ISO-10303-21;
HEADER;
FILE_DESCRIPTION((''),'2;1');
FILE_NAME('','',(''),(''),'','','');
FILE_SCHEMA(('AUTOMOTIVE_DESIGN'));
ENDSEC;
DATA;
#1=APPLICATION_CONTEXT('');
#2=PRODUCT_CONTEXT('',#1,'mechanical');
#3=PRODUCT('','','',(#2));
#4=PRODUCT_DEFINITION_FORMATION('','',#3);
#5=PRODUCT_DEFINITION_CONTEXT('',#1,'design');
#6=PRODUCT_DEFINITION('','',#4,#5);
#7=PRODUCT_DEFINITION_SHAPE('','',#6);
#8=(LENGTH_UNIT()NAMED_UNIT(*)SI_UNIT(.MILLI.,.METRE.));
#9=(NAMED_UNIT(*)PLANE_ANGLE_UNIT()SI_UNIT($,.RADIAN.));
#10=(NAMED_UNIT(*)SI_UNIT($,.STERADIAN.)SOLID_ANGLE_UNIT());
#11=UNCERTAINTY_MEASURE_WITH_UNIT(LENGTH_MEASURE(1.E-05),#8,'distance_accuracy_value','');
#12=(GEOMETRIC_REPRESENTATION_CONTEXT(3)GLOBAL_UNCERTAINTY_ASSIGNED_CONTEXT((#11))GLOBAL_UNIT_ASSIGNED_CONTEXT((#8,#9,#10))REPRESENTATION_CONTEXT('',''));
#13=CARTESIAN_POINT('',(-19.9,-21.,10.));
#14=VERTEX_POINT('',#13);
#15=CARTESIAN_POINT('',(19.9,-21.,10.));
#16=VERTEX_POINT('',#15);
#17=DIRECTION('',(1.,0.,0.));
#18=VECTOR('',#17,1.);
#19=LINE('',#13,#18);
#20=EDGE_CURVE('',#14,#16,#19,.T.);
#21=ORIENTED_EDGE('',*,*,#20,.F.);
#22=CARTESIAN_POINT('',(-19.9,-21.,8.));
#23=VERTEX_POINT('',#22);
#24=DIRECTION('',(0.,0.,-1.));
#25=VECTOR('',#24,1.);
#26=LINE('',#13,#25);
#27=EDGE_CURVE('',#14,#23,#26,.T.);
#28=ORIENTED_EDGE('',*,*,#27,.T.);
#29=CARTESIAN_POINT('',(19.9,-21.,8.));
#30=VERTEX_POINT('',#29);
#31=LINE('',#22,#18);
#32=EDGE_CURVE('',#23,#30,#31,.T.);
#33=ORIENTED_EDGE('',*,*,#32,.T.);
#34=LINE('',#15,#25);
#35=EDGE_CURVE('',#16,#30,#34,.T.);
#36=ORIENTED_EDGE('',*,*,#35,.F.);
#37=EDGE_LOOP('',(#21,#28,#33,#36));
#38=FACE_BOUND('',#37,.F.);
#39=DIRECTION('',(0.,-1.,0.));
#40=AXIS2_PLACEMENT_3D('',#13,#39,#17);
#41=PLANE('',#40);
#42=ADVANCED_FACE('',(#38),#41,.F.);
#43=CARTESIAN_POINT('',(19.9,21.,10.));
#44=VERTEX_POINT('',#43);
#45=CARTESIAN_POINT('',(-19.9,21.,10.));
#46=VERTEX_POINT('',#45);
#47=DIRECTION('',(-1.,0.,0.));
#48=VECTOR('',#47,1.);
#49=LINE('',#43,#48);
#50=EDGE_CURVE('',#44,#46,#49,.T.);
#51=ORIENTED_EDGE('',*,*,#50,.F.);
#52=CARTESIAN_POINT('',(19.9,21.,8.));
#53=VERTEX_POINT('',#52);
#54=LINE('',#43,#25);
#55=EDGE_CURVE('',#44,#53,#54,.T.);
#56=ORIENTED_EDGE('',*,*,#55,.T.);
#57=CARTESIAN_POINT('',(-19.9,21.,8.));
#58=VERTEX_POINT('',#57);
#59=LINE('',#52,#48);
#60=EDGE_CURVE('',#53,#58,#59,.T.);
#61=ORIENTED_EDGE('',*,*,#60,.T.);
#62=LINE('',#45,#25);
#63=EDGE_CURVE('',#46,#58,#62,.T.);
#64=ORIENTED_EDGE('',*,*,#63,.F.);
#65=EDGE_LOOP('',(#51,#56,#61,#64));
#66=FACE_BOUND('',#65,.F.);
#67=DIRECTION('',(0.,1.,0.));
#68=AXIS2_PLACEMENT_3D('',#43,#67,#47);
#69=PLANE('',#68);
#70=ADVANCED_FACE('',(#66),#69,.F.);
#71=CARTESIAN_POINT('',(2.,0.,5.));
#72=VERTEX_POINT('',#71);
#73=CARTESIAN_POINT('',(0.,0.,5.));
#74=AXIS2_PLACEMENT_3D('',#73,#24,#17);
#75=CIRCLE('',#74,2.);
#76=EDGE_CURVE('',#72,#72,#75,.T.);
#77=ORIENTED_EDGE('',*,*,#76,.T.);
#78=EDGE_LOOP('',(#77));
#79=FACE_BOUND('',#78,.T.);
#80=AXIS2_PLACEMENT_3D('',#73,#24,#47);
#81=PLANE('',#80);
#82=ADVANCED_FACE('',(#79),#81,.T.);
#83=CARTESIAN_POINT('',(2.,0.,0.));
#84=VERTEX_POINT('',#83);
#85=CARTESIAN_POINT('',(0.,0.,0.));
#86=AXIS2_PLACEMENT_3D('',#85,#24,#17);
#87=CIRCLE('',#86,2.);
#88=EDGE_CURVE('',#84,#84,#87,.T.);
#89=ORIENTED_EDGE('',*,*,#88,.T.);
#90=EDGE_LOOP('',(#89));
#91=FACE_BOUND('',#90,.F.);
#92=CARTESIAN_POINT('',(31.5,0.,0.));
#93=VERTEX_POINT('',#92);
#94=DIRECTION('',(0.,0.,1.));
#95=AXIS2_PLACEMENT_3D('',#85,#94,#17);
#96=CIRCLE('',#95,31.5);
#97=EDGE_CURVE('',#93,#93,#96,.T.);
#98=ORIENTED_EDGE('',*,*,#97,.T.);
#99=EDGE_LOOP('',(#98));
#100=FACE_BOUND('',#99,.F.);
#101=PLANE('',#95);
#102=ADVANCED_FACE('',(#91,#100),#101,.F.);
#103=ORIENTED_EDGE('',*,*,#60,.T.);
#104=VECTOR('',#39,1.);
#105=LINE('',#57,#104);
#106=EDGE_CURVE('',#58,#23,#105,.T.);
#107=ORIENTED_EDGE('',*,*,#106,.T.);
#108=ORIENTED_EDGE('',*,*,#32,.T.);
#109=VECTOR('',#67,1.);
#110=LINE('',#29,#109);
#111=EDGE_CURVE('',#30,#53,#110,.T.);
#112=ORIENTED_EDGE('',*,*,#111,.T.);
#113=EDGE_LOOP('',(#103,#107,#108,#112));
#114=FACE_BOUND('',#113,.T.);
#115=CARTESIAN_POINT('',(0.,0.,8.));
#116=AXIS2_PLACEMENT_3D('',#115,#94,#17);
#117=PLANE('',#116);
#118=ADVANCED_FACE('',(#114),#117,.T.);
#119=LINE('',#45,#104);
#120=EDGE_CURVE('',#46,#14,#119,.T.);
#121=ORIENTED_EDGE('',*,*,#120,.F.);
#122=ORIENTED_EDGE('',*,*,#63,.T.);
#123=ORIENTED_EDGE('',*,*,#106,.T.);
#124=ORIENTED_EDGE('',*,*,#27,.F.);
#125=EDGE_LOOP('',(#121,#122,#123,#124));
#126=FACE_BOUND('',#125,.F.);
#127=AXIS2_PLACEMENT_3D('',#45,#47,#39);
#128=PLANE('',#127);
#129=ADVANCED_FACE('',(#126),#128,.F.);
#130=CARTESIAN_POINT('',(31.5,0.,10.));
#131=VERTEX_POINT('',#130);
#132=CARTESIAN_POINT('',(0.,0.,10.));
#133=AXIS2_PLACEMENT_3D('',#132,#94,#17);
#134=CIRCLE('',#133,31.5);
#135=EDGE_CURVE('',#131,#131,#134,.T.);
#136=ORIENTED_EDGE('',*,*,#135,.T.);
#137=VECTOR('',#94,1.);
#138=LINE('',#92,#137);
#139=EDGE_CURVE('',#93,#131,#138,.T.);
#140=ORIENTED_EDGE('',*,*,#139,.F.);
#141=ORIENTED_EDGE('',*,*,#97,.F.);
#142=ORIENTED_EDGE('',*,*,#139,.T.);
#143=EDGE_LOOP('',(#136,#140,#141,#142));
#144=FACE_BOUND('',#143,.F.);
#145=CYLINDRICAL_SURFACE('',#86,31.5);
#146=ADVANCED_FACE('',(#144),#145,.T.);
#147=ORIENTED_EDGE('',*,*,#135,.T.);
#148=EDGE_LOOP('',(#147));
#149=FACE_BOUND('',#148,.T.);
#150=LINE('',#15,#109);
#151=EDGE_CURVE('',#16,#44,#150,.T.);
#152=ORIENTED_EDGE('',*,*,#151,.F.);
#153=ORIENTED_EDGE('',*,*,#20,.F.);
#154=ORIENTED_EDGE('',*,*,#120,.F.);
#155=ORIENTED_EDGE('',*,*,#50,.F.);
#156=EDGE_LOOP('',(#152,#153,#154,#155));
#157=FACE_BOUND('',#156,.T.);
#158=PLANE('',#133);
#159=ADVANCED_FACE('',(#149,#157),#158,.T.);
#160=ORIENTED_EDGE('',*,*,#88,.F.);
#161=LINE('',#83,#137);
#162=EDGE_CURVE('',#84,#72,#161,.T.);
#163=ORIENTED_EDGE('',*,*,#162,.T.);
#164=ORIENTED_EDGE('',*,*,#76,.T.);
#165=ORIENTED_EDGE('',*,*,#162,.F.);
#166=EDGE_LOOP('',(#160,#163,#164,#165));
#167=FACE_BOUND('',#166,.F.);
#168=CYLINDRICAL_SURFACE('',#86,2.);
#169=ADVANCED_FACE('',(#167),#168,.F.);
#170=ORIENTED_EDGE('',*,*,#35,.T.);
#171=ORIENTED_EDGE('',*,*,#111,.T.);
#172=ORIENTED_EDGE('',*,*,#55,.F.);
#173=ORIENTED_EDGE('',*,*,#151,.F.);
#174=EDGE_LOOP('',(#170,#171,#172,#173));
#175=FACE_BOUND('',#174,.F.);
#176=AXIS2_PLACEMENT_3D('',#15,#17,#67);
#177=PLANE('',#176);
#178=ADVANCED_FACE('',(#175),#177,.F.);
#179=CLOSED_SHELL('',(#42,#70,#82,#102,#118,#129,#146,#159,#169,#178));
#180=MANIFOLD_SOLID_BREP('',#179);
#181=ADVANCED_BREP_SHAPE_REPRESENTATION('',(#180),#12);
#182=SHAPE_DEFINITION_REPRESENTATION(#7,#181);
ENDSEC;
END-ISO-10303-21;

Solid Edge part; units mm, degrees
sketch "Sketch1" plane through (0, 0, 0) normal (0, 0, 1) x (1, 0, 0)
  circle A0 centre (0, 0) radius 31.5
extrude "Protrusion1" add sketch "Sketch1" along normal blind 10
sketch "Sketch2" plane through (0, 0, 0) normal (0, 0, -1) x (1, 0, 0)
  circle A0 centre (0, 0) radius 2
  dimension "D1" = 4
extrude "Extrusionsausschnitt_1" cut sketch "Sketch2" against normal blind 5
sketch "Sketch3" plane through (0, 0, 10) normal (0, 0, 1) x (0, 1, 0)
  line L0 (-21, -19.9) -> (21, -19.9)
  line L1 (21, -19.9) -> (21, 19.9)
  line L2 (21, 19.9) -> (-21, 19.9)
  line L3 (-21, 19.9) -> (-21, -19.9)
extrude "Extrusionsausschnitt_2" cut sketch "Sketch3" against normal blind 2
properties material "Nylon, allgemein"
